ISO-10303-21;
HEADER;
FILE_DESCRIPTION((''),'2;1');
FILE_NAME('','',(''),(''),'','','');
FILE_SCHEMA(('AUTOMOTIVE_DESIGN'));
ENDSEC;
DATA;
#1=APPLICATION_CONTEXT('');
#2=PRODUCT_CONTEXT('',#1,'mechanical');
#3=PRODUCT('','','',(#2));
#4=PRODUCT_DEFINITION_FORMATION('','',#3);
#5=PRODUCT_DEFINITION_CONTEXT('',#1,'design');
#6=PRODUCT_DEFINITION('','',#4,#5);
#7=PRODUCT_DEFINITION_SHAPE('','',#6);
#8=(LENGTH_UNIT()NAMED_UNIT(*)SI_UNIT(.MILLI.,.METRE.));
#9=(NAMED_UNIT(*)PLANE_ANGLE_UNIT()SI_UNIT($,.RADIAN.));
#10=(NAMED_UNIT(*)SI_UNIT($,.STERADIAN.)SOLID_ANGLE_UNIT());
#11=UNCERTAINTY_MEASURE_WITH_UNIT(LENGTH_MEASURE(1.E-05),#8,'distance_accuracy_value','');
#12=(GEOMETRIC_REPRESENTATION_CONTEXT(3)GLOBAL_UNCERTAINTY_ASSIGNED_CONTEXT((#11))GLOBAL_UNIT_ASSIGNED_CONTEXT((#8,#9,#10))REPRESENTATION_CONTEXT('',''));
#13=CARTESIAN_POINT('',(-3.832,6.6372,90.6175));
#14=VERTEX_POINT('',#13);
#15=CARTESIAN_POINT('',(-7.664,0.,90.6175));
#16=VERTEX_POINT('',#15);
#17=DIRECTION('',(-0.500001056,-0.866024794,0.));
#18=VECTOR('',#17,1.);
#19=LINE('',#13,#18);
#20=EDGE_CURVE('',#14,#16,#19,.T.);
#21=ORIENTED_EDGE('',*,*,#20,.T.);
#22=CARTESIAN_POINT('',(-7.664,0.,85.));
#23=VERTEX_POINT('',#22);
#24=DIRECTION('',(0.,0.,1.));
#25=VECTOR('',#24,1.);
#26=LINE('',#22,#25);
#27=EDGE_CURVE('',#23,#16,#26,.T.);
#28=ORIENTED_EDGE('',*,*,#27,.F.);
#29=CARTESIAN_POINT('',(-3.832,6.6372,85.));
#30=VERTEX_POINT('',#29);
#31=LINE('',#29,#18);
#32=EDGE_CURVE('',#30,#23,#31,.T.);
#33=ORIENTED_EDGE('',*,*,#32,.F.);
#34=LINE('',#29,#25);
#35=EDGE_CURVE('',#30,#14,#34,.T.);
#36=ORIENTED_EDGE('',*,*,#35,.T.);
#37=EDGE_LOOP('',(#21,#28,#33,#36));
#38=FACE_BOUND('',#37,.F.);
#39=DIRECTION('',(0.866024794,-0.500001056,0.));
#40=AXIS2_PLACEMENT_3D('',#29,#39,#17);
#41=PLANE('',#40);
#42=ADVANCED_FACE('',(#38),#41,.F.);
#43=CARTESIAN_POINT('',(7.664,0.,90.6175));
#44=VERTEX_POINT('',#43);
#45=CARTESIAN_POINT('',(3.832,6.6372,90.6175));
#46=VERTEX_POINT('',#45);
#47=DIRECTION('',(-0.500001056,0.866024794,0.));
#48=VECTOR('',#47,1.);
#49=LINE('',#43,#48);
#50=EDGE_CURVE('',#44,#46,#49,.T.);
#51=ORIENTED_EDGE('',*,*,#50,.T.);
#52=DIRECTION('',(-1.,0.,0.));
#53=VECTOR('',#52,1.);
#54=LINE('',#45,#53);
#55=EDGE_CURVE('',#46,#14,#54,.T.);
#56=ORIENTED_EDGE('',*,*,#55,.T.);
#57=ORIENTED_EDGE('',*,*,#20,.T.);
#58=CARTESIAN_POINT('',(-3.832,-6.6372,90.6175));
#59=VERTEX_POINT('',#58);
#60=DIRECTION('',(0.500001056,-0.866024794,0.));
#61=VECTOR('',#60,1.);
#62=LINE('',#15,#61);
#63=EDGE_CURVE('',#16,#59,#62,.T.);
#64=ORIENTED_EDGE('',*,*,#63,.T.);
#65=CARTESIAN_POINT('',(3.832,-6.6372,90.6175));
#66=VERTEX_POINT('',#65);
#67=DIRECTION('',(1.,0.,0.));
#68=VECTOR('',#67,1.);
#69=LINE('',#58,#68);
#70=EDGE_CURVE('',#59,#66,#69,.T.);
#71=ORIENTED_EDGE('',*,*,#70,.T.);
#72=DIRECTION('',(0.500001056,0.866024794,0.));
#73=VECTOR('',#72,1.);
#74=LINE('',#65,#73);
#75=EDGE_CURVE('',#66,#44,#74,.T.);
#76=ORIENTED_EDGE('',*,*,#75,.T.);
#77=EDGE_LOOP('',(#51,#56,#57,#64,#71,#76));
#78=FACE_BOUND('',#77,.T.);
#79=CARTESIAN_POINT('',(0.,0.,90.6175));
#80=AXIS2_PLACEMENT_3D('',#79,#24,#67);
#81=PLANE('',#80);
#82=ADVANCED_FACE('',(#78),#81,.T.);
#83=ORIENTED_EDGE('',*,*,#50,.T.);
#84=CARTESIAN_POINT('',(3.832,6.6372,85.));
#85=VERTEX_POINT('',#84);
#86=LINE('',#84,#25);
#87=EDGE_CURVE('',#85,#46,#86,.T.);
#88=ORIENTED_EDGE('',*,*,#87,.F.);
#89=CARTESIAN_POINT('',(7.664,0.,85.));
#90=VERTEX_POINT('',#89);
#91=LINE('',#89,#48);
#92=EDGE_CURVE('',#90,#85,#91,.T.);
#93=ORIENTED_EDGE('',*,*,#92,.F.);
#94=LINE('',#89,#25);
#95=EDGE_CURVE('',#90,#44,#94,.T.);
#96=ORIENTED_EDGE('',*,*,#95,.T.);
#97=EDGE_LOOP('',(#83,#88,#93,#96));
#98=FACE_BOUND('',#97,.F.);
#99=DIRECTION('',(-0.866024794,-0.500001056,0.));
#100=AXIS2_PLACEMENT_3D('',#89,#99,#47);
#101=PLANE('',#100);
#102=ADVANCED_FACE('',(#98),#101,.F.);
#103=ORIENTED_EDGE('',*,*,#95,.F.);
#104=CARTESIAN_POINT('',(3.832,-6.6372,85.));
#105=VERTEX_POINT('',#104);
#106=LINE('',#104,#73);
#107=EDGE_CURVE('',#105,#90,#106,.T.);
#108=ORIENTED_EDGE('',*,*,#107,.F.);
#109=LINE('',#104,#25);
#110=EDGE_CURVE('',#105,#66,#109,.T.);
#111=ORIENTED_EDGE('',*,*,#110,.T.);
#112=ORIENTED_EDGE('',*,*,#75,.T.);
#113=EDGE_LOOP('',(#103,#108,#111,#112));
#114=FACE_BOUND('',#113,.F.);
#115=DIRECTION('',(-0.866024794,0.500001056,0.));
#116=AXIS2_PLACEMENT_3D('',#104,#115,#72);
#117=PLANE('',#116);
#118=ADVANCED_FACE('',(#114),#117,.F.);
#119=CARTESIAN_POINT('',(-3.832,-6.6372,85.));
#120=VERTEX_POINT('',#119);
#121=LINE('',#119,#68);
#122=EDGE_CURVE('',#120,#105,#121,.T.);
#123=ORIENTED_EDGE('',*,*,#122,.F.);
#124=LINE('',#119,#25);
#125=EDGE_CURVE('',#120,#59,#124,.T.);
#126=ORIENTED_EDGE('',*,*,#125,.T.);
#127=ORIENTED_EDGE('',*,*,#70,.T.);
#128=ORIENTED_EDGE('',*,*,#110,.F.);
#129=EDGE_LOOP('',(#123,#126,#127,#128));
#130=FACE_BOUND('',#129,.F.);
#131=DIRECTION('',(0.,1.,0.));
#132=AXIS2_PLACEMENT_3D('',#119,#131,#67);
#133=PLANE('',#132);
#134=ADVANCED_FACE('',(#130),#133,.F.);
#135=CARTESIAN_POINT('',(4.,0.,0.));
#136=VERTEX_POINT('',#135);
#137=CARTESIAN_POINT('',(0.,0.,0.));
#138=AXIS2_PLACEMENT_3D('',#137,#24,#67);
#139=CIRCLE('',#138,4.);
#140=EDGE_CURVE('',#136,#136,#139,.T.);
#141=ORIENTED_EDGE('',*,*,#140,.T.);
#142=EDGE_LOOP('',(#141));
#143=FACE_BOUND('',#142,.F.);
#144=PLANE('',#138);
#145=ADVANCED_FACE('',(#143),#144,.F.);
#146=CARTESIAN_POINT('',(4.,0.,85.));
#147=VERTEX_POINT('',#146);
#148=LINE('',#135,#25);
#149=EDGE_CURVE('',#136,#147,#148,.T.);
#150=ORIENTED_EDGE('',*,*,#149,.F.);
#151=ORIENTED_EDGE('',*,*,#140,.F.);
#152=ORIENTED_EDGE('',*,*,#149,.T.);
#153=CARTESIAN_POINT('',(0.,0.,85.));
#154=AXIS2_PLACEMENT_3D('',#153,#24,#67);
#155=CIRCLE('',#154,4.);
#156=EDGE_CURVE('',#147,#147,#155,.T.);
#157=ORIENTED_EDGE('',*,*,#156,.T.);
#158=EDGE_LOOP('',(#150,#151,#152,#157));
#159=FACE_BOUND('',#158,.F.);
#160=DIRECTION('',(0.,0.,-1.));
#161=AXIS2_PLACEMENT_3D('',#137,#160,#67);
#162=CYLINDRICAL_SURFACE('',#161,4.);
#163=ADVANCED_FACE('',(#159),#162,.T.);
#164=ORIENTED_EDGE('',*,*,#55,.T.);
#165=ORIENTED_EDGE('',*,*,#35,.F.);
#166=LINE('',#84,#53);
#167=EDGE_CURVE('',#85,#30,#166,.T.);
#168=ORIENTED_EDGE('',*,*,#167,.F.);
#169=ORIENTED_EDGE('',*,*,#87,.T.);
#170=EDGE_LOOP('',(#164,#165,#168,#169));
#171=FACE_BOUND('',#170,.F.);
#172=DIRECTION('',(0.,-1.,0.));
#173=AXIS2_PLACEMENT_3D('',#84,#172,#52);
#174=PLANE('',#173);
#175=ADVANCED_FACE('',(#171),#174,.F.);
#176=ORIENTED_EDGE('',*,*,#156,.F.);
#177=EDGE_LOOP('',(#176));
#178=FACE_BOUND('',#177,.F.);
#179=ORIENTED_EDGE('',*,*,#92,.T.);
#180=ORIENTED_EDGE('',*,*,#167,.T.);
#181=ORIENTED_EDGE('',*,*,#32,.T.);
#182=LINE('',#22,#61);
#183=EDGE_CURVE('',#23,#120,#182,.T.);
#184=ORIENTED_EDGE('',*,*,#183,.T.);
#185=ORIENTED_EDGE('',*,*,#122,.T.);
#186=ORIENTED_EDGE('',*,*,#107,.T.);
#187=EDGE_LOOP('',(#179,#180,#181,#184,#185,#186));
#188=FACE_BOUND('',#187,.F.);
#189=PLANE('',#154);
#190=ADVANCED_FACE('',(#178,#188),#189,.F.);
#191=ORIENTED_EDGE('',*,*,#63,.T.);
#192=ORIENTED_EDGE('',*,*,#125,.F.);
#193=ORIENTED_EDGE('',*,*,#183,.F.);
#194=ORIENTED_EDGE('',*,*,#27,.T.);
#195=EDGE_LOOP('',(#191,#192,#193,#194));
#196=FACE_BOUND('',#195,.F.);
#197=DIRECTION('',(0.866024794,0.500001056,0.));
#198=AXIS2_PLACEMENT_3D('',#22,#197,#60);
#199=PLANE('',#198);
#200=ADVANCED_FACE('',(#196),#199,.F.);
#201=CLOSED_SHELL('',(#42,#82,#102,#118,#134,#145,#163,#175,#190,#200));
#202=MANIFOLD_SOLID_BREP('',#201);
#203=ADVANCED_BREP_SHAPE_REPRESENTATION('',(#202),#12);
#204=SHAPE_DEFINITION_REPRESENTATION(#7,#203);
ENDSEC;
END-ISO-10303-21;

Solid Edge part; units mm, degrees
sketch "Sketch1" plane through (0, 0, 0) normal (0, 0, 1) x (1, 0, 0)
  circle A0 centre (0, 0) radius 4
extrude "Protrusion1" add sketch "Sketch1" along normal blind 85
cosmetic_thread "Thread_1" size "M8" thread depth 20
sketch "Sketch2" plane through (0, 0, 85) normal (0, 0, 1) x (1, 0, 0)
  line L0 (-3.832, 6.6372) -> (-7.664, 0)
  line L1 (-7.664, 0) -> (-3.832, -6.6372)
  line L2 (-3.832, -6.6372) -> (3.832, -6.6372)
  line L3 (3.832, -6.6372) -> (7.664, 0)
  line L4 (7.664, 0) -> (3.832, 6.6372)
  line L5 (3.832, 6.6372) -> (-3.832, 6.6372)
extrude "ExtrudedProtrusion_3" add sketch "Sketch2" along normal blind 5.6175
properties material "Steel"
